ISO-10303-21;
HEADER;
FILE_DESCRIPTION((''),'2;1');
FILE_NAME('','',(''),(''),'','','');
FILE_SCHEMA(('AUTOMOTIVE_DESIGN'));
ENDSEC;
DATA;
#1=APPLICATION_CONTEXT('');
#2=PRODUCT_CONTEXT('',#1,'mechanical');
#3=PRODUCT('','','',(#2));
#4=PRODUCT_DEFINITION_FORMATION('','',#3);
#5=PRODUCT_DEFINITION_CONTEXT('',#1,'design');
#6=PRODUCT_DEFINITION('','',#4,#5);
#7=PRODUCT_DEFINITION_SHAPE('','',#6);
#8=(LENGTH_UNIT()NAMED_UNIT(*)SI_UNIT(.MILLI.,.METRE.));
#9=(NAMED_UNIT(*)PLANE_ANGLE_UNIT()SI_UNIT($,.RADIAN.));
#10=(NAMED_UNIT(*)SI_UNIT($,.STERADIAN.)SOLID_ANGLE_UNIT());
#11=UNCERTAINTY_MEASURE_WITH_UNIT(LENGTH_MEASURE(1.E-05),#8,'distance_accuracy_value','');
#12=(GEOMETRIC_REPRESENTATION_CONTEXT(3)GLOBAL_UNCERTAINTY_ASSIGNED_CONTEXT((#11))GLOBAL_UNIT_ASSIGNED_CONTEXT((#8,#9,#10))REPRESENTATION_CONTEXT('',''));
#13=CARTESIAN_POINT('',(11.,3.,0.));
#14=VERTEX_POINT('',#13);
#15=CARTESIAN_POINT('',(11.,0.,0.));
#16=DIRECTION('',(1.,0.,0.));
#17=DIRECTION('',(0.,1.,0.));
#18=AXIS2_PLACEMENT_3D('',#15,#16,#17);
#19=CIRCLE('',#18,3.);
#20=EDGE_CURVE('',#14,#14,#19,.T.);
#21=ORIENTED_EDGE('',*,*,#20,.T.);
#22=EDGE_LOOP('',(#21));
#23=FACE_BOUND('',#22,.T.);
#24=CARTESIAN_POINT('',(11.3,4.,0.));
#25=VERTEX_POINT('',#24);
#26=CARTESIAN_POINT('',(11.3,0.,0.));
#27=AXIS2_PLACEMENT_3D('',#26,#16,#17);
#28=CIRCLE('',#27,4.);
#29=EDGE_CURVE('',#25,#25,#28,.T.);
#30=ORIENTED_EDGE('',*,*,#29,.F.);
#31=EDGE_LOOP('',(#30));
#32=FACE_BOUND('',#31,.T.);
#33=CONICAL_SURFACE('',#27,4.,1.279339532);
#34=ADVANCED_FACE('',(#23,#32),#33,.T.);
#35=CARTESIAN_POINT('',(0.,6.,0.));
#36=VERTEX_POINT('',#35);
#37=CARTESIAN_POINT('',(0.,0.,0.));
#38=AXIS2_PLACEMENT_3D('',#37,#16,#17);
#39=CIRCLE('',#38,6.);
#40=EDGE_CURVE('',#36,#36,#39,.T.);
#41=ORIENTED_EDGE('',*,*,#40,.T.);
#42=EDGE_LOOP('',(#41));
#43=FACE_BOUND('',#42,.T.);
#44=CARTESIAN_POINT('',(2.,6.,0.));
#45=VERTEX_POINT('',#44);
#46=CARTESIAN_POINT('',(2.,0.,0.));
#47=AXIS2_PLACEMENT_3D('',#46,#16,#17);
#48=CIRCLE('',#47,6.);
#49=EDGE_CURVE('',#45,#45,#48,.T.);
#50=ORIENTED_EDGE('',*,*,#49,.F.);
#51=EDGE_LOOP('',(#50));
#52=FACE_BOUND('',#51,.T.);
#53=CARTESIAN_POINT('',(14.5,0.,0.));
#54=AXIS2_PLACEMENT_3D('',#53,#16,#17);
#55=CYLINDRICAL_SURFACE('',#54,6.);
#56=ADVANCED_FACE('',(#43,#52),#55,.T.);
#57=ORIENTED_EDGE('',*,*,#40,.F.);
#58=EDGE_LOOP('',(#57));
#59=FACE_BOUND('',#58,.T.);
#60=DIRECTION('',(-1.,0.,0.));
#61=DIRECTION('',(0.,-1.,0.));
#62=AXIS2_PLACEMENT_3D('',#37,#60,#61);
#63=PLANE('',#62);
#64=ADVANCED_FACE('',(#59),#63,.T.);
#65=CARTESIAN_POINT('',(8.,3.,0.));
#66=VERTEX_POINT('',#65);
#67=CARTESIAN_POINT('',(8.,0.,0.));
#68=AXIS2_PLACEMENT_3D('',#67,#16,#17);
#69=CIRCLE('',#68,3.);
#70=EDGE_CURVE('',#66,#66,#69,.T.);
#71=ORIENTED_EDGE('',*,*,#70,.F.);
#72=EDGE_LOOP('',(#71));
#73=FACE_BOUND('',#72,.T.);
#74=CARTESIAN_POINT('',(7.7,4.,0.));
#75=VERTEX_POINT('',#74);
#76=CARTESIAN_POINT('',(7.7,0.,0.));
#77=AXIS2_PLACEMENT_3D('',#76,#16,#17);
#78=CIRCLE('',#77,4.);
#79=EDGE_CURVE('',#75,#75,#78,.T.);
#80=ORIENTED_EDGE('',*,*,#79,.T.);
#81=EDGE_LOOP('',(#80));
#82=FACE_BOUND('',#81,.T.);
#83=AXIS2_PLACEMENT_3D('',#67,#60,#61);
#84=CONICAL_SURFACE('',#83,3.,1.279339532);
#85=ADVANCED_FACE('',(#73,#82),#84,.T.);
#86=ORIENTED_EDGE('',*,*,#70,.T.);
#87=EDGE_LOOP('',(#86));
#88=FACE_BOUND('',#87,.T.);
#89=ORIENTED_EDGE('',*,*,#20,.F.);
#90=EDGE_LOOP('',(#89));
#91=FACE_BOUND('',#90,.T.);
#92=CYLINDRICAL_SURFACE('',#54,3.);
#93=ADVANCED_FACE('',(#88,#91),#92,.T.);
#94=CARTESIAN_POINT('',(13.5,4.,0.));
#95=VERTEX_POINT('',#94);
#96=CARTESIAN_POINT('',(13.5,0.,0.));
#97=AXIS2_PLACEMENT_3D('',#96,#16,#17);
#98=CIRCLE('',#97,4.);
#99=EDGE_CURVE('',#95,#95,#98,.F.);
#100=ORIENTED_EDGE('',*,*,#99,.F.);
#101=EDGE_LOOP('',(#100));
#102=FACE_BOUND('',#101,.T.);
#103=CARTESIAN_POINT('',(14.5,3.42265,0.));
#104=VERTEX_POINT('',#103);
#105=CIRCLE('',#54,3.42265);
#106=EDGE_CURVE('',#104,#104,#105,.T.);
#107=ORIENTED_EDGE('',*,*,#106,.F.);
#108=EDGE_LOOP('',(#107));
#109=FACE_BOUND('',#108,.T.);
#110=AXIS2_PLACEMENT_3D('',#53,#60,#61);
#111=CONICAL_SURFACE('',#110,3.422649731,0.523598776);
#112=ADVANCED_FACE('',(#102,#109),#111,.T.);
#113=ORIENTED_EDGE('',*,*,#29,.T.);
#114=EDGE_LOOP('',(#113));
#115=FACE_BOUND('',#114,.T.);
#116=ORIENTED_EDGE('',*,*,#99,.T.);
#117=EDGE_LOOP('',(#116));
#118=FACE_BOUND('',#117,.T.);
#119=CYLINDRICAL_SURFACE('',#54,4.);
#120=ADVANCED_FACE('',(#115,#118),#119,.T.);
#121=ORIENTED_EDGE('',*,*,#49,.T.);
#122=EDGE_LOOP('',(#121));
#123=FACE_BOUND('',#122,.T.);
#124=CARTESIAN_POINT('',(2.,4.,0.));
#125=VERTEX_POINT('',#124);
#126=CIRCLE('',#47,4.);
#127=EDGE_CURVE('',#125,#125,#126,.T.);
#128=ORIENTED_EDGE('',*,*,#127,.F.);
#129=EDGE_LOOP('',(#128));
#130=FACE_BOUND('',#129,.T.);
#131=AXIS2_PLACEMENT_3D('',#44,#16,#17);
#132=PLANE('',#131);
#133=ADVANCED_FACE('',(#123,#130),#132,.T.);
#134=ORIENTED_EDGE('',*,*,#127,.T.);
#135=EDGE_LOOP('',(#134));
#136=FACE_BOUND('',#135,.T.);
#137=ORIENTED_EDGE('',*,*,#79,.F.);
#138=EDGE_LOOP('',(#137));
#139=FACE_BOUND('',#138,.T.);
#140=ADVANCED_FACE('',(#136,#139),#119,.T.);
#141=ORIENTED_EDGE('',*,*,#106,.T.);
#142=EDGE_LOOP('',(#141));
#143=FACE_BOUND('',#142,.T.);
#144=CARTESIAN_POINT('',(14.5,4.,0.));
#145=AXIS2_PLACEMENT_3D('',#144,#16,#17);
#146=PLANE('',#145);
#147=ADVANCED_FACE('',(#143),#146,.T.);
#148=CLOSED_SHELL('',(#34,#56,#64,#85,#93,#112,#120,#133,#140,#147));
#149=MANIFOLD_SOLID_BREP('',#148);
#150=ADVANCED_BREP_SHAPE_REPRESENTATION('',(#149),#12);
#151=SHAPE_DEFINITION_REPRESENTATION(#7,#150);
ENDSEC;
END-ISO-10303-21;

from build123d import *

# Parameters (mm, degrees)
CHAMFER1_SIZE  = 1
CHAMFER1_SIZE2 = 0.577350269


with BuildPart() as part:
    # Sketch1 → Revolve1 (revolve)
    with BuildSketch(Plane.XY):
        Polygon((0, 0), (0, 6), (2, 6), (2, 4), (7.7, 4), (8, 3), (11, 3), (11.3, 4), (14.5, 4), (14.5, 0), align=None)
    revolve(axis=Axis((14.5, 0, 0), (-1, 0, 0)))

    # Chamfer1
    chamfer1_edges = [part.edges().sort_by_distance(p)[0] for p in [
        (14.5, -4, 0),
    ]]
    chamfer1_side = [part.faces().sort_by_distance(p)[0] for p in [
        (12.9, -4, 0),
    ]]
    chamfer(chamfer1_edges, length=CHAMFER1_SIZE, length2=CHAMFER1_SIZE2, reference=chamfer1_side[0])


solid = part.part
